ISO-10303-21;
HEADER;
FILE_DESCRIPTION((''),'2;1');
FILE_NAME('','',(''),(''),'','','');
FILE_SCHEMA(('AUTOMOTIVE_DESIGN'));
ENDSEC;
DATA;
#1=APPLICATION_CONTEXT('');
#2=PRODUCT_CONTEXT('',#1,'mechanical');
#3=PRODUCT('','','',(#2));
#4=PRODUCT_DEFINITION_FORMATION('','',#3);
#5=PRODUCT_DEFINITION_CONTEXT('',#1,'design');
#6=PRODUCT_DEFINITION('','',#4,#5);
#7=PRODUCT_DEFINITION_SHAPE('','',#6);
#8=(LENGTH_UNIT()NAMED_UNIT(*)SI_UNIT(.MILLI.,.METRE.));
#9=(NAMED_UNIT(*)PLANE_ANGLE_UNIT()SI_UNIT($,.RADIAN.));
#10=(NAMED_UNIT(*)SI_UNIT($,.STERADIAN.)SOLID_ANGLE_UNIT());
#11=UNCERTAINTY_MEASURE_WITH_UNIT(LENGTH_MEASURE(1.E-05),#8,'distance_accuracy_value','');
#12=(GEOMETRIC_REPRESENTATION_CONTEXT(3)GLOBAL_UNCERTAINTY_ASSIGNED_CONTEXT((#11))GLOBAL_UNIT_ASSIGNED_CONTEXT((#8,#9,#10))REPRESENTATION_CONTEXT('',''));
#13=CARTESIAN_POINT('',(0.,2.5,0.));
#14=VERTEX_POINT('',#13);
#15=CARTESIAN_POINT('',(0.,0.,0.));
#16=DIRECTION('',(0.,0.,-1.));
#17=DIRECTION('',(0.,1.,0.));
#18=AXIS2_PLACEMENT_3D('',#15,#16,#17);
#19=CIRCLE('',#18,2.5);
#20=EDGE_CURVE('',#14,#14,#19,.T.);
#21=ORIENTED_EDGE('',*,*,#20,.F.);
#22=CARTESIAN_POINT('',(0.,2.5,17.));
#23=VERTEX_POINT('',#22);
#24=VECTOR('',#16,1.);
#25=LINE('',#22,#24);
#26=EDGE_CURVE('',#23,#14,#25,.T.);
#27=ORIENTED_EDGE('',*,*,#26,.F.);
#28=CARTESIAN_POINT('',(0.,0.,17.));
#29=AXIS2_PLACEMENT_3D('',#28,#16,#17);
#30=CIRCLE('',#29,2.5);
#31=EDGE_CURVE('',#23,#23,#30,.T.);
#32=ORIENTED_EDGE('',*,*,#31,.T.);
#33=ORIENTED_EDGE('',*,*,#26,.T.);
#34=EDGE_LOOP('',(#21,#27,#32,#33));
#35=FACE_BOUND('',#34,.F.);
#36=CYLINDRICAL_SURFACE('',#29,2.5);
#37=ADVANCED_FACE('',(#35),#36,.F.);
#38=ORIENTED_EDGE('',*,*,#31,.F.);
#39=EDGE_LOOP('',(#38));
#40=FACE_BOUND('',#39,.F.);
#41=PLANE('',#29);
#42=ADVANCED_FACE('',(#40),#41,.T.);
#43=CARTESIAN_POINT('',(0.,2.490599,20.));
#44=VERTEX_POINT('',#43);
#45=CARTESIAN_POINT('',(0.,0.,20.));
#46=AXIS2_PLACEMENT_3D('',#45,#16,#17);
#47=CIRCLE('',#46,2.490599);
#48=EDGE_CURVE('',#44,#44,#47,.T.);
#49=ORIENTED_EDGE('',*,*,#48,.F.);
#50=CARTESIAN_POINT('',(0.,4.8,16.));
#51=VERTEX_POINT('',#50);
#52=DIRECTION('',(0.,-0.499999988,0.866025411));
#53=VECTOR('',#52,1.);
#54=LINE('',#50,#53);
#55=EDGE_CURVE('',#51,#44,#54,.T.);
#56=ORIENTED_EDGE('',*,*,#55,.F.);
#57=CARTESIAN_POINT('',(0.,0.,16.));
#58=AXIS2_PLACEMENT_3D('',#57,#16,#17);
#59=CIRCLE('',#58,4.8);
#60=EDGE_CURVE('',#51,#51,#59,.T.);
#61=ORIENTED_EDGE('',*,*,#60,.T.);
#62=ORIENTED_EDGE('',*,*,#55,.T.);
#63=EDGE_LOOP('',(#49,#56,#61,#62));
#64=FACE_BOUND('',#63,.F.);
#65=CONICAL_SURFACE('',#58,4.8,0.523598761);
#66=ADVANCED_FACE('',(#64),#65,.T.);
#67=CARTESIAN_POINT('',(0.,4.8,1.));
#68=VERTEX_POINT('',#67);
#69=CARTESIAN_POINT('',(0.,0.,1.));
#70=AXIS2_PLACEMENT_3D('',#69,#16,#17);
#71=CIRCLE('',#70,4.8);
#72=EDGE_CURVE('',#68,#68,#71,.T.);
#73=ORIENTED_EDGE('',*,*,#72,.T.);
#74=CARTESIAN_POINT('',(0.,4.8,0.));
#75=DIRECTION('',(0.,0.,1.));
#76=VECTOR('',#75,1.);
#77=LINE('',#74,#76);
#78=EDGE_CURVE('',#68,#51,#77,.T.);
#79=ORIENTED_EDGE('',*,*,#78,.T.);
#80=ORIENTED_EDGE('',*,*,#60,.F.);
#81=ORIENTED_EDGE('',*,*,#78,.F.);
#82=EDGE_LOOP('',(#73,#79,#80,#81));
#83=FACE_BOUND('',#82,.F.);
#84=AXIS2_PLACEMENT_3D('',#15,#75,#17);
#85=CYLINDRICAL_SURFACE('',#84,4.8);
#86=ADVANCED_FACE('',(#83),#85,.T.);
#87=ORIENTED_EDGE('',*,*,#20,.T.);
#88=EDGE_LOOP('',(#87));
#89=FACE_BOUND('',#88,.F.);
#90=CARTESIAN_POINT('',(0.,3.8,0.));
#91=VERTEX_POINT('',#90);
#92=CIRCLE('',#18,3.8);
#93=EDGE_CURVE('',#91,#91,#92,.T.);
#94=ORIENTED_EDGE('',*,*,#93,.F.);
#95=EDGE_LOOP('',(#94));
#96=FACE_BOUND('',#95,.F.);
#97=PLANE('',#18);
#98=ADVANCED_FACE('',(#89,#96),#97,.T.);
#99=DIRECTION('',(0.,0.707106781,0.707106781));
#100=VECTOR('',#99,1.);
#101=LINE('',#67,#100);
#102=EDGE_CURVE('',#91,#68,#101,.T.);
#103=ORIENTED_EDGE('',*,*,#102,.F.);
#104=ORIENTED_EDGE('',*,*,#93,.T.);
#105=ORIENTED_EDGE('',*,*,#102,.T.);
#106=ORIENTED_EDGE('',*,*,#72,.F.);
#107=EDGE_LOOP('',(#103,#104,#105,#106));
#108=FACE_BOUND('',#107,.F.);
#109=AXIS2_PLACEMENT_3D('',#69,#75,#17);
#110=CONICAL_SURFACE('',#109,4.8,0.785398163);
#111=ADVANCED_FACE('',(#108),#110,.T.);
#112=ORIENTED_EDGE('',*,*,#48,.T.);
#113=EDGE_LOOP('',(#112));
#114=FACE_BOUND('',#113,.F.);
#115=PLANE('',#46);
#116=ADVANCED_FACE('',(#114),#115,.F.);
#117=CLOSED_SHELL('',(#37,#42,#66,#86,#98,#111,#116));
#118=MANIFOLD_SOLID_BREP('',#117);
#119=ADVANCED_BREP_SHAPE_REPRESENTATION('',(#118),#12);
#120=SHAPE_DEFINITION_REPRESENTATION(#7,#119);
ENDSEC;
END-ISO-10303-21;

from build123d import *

# Parameters (mm, degrees)
F2_SIZE  = 1
F3_SIZE2 = 2.309401
F3_SIZE  = 4


with BuildPart() as f1:
    # F0 (on Right) → F1 (revolve)
    with BuildSketch(Plane.YZ):
        Polygon((2.5, 17), (2.5, 0), (4.8, 0), (4.8, 20), (0, 20), (0, 17), align=None)
    revolve(axis=Axis((0, 0, 15.318091), (0, 0, -1)))

    # F2
    f2_edges = [f1.edges().sort_by_distance(p)[0] for p in [
        (0, -4.8, 0),
    ]]
    chamfer(f2_edges, length=F2_SIZE)

    # F3
    f3_edges = [f1.edges().sort_by_distance(p)[0] for p in [
        (0, -4.8, 20),
    ]]
    chamfer(f3_edges, length=F3_SIZE, length2=F3_SIZE2)


solid = f1.part
